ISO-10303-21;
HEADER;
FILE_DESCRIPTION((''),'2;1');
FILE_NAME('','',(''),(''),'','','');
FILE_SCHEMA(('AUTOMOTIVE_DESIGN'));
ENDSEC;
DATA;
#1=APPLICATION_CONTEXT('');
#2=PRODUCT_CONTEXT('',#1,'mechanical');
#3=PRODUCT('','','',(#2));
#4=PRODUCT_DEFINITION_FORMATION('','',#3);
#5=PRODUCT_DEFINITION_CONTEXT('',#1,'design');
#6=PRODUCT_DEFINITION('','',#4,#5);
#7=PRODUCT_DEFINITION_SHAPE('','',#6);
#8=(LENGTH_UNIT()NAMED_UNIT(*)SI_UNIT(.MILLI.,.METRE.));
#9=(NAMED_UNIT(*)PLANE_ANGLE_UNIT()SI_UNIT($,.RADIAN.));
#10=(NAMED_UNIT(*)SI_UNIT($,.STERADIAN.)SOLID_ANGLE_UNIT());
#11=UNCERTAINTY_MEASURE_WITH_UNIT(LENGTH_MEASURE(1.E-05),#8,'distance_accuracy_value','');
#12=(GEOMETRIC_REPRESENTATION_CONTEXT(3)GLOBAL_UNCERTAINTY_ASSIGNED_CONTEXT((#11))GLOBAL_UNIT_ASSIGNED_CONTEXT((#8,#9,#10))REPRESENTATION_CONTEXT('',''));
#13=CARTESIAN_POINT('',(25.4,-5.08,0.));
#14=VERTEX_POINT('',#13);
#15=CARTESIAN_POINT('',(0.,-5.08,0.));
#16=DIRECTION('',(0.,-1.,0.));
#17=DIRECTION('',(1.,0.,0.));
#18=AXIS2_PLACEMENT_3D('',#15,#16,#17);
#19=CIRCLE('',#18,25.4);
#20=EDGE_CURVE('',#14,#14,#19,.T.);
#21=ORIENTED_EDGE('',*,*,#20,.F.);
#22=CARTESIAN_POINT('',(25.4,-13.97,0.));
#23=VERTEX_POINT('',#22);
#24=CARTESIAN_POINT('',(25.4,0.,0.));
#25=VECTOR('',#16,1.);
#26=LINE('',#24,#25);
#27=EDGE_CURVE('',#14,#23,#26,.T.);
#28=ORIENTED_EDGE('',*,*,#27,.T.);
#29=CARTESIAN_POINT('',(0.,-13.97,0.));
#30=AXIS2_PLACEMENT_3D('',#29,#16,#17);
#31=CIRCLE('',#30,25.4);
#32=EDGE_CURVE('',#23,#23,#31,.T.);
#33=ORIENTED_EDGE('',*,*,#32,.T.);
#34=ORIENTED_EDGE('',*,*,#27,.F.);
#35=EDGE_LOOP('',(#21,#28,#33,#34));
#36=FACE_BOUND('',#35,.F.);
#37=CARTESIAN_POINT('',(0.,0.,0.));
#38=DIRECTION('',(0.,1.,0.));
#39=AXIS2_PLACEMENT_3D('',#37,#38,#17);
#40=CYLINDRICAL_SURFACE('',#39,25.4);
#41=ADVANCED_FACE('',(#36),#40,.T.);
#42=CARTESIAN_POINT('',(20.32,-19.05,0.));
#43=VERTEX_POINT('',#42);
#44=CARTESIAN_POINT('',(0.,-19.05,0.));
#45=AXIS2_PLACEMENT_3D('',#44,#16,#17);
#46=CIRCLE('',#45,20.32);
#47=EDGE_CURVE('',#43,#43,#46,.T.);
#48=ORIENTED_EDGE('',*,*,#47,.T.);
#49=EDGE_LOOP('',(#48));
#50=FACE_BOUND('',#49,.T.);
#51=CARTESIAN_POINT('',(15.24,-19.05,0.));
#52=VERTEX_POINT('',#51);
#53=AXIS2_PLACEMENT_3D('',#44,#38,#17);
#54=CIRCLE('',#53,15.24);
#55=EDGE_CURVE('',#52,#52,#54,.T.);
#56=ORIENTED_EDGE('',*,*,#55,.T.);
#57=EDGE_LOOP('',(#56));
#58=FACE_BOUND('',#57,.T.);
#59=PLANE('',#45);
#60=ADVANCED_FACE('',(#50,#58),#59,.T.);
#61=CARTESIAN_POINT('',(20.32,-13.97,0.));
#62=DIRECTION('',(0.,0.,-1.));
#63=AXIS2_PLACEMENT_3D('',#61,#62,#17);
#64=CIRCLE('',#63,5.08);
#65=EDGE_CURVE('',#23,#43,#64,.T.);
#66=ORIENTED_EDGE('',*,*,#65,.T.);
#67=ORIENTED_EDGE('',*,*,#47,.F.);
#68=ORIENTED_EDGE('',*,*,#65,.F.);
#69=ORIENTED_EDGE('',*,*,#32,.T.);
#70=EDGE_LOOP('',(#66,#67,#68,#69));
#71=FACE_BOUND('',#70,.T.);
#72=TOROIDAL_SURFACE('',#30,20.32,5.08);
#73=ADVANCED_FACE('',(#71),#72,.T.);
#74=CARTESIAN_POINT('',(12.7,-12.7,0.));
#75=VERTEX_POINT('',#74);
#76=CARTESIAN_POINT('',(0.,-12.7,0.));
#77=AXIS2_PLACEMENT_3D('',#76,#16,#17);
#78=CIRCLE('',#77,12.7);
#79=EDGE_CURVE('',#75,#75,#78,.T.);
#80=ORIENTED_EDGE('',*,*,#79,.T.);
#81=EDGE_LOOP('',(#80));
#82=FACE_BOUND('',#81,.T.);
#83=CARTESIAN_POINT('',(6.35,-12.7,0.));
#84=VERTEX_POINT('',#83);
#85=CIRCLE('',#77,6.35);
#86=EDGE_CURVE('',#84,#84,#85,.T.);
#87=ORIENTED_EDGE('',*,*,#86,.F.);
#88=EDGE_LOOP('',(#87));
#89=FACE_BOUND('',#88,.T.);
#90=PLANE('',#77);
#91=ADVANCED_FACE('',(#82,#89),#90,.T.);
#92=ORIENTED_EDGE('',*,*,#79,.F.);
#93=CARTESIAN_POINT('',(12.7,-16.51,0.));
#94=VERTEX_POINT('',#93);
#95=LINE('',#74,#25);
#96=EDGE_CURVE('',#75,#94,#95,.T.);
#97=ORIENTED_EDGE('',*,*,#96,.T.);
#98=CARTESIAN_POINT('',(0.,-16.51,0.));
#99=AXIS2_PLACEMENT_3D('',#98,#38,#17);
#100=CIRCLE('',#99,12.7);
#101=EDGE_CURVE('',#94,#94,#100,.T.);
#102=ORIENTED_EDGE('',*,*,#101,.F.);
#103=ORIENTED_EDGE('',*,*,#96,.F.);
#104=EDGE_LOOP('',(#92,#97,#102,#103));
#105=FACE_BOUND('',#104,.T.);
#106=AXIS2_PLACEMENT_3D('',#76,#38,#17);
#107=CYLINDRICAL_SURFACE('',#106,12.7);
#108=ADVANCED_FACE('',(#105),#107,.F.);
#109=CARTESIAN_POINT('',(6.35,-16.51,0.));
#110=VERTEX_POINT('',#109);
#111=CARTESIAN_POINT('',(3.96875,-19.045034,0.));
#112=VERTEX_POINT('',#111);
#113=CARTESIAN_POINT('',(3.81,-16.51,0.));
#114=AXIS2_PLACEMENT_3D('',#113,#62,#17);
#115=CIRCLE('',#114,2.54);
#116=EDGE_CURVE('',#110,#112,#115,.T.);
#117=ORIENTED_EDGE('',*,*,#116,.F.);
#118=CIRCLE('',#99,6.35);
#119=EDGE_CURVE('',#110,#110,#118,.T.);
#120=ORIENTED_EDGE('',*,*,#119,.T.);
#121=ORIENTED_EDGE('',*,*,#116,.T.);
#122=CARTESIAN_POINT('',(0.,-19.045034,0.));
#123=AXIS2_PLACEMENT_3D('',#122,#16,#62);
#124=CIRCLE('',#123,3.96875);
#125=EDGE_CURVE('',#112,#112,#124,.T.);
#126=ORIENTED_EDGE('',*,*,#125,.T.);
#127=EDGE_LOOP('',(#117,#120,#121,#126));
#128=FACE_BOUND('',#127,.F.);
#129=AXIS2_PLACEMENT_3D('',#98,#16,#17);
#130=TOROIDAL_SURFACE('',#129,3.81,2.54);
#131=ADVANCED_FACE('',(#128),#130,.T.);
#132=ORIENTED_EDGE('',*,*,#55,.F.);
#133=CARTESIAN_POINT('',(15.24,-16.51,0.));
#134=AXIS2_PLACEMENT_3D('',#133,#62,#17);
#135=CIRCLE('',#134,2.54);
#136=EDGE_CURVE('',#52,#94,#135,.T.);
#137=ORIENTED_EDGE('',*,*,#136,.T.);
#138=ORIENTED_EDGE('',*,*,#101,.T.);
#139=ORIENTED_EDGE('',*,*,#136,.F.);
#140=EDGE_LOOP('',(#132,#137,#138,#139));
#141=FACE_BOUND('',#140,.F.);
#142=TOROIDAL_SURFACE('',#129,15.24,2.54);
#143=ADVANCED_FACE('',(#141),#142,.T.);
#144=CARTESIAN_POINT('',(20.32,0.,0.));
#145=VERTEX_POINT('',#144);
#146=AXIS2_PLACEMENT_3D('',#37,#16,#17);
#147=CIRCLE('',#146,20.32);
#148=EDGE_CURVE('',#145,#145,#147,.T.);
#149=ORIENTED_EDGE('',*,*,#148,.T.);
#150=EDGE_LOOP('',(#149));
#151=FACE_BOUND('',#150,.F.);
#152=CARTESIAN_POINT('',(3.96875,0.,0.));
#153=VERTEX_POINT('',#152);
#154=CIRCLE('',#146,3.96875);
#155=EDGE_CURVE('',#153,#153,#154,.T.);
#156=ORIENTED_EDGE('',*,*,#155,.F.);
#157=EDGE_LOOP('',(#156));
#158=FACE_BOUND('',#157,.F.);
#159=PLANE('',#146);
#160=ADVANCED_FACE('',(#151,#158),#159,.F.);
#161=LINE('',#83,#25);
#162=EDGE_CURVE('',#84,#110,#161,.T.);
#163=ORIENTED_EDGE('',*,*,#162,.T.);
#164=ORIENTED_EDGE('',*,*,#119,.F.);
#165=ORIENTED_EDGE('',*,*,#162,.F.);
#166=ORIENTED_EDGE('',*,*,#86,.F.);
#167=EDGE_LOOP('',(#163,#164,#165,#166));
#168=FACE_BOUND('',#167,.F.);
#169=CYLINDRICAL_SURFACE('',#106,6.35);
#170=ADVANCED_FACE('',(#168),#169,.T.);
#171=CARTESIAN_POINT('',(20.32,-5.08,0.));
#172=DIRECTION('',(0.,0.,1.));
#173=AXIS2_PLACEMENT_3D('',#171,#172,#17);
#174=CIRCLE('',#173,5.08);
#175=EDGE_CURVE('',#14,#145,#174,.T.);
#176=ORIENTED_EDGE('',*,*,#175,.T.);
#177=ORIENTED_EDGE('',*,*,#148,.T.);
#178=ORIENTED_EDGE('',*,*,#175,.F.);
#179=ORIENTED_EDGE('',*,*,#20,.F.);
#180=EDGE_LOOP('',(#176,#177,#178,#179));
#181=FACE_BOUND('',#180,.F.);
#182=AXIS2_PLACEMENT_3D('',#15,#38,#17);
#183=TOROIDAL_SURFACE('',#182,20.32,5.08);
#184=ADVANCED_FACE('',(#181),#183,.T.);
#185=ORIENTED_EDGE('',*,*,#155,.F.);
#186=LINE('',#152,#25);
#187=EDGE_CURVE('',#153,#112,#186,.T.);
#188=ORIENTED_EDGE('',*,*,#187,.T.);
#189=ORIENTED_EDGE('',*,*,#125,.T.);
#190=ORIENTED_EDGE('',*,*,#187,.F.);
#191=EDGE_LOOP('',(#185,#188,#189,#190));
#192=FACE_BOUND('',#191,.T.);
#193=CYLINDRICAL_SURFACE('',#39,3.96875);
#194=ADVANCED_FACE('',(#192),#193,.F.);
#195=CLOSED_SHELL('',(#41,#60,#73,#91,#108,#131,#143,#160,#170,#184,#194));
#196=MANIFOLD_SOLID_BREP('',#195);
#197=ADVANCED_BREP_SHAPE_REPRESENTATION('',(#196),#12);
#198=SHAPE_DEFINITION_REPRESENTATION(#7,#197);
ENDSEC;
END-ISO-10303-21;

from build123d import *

# Parameters (mm, degrees)
F0_R     = 25.4
F1_DEPTH = 19.05
F2_R     = 5.08
F4_START = 12.7
F3_R     = 12.7
F3_R_2   = 6.35
F4_DEPTH = 12.7
F5_R     = 2.54
F6_R     = 3.96875
F7_DEPTH = 19.051


with BuildPart() as f1:
    # F0 (on Front) → F1 (new body)
    with BuildSketch(Plane.XZ):
        Circle(F0_R)
    extrude(amount=F1_DEPTH)

    # F2
    f2_edges = [f1.edges().sort_by_distance(p)[0] for p in [
        (-25.4, -19.05, 0),
        (-25.4, 0, 0),
    ]]
    fillet(f2_edges, radius=F2_R)

    # F3 (on Front) → F4 (cut)
    with BuildSketch(Plane.XZ.offset(F4_START)):
        Circle(F3_R)
        Circle(F3_R_2, mode=Mode.SUBTRACT)
    extrude(amount=F4_DEPTH, mode=Mode.SUBTRACT)

    # F5
    f5_edges = [f1.edges().sort_by_distance(p)[0] for p in [
        (-6.35, -19.05, 0),
        (-12.7, -19.05, 0),
    ]]
    fillet(f5_edges, radius=F5_R)

    # F6 (on Front) → F7 (cut, through all)
    with BuildSketch(Plane.XZ):
        Circle(F6_R)
    extrude(amount=F7_DEPTH, mode=Mode.SUBTRACT)


solid = f1.part
